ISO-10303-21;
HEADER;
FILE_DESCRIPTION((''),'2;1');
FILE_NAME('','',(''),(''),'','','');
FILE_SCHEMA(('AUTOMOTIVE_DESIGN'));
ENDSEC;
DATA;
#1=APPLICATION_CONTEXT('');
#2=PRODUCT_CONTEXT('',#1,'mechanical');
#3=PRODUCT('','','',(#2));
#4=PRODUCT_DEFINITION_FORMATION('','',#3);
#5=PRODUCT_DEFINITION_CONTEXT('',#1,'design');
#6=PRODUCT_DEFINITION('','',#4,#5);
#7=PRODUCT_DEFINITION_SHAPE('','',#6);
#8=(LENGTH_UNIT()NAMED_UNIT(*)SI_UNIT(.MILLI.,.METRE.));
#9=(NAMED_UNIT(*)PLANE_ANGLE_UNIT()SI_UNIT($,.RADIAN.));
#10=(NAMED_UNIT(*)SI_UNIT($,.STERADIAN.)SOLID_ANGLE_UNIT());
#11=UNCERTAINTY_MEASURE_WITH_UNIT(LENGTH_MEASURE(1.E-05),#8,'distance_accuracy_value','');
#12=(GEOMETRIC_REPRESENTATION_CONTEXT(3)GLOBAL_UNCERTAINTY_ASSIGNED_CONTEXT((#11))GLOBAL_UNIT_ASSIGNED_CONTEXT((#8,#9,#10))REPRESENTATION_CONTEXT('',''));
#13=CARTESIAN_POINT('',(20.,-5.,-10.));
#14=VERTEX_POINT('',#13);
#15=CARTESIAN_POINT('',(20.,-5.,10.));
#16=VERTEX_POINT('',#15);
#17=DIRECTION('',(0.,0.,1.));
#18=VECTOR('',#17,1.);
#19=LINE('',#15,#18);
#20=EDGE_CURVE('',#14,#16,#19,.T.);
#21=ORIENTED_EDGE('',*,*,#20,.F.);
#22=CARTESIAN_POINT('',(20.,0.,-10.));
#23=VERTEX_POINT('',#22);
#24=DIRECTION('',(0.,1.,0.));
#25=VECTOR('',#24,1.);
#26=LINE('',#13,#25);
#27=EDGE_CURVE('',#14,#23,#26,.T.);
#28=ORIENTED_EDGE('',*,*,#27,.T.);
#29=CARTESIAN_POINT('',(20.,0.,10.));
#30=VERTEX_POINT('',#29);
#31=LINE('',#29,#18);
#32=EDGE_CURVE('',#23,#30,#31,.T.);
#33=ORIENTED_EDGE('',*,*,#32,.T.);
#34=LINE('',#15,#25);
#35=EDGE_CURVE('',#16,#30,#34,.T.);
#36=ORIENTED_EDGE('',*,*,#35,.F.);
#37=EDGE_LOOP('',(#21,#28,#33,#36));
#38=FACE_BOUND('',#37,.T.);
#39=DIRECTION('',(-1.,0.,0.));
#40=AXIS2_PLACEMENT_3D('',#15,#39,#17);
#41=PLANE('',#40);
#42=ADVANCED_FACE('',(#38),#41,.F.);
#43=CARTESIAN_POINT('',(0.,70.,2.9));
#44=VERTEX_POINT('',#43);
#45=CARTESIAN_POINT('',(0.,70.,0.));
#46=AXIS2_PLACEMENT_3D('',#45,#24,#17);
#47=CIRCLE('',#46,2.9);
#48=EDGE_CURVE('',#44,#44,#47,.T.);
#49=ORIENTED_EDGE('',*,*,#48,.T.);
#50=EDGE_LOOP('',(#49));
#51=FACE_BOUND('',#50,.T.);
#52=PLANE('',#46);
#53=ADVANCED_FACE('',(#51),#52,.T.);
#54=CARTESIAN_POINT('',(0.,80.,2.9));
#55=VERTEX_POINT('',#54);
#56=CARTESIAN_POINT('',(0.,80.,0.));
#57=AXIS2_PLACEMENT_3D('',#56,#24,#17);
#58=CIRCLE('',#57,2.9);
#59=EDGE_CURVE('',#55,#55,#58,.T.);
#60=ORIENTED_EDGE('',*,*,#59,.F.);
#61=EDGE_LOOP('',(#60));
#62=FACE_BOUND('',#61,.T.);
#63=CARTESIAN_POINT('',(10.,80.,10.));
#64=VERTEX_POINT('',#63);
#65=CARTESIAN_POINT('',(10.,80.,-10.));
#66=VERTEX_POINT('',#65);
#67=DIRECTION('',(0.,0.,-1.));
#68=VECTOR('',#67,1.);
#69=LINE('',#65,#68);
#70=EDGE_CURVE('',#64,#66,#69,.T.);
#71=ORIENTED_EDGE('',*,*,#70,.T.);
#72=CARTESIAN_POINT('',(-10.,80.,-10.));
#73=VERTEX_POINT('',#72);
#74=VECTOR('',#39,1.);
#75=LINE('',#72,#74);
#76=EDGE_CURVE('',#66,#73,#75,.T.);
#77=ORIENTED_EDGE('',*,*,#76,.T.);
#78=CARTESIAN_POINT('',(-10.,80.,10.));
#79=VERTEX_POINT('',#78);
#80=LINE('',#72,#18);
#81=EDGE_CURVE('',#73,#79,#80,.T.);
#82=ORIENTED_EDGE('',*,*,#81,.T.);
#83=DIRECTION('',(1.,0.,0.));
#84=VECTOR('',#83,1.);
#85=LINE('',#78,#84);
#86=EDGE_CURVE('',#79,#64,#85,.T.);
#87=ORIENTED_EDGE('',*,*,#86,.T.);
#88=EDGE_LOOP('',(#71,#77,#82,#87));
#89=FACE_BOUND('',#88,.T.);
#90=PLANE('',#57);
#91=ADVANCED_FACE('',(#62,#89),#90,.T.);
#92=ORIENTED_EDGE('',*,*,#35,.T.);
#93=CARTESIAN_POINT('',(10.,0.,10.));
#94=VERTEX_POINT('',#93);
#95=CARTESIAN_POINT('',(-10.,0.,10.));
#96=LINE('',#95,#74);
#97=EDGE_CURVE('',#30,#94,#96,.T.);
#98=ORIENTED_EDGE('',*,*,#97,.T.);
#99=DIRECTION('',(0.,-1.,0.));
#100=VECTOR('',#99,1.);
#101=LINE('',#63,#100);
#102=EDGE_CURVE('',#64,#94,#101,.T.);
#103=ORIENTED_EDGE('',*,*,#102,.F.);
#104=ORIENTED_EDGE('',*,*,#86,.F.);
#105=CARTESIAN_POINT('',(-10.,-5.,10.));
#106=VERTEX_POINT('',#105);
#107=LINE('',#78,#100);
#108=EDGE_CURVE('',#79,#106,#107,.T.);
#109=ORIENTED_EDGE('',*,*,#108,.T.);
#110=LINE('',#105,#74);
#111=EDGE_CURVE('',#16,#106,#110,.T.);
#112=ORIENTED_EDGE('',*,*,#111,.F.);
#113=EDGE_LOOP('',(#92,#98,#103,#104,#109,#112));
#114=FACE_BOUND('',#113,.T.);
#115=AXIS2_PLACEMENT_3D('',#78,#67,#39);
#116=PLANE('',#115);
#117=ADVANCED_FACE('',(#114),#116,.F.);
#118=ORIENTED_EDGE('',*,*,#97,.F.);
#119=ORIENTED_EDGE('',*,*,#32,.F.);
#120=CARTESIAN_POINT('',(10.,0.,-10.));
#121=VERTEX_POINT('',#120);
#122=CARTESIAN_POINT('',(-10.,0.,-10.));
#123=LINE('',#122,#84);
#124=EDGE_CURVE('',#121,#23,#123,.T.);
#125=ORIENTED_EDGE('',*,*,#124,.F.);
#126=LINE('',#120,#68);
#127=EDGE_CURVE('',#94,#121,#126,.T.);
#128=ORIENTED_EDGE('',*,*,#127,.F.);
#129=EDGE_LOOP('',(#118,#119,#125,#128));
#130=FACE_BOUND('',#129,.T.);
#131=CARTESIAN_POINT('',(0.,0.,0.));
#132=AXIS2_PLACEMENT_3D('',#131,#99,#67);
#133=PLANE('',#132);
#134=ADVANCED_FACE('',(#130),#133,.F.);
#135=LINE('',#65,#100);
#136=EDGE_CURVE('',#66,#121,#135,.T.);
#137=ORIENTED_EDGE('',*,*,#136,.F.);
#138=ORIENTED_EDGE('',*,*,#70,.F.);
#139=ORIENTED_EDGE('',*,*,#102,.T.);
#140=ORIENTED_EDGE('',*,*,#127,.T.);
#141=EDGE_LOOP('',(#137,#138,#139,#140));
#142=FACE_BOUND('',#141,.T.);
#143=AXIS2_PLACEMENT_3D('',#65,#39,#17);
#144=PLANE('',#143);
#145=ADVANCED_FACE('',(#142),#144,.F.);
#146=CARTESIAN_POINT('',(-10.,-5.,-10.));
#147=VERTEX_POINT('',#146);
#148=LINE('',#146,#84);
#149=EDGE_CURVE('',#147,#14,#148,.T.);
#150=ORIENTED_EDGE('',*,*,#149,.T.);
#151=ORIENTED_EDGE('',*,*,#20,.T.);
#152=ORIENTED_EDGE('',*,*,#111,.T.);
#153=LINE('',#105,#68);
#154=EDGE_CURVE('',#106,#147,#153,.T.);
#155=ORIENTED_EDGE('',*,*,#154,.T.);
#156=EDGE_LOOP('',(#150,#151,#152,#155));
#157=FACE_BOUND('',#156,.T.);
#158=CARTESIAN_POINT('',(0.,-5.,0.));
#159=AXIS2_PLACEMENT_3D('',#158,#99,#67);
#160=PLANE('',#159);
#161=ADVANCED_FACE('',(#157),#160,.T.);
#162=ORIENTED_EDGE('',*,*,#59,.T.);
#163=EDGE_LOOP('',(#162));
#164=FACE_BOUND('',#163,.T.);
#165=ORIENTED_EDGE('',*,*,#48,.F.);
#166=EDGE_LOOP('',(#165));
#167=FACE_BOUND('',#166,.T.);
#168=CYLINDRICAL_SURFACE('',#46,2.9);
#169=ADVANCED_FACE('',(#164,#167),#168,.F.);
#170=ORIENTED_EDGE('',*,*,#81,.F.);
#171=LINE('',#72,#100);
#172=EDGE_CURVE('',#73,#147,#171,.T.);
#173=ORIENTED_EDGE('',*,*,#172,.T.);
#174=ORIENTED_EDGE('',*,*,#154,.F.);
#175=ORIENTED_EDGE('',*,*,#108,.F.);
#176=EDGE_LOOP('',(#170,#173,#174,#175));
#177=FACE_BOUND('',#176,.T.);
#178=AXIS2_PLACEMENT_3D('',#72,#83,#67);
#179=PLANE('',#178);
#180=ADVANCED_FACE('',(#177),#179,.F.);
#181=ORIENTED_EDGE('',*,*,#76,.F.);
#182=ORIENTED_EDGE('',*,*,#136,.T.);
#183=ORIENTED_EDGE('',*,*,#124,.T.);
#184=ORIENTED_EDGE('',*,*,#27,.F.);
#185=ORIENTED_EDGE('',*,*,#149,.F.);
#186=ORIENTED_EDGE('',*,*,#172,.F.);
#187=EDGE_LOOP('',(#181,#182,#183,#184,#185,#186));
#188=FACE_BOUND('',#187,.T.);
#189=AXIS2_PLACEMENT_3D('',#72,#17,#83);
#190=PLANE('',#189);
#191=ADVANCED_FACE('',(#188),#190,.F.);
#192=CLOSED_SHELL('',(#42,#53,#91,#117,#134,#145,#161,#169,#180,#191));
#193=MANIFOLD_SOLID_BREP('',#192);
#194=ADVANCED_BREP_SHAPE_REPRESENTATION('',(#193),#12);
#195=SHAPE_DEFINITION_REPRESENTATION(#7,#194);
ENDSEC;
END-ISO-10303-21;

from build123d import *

# Parameters (mm, degrees)
SKETCH_1_W          = 20
SKETCH_1_H          = 20
EXTRUDE_1_DEPTH     = 80
SKETCH_3_W          = 30
SKETCH_3_H          = 20
EXTRUDE_2_DEPTH     = 5
SKETCH_4_R          = 2.9
CUT_EXTRUDE_1_DEPTH = 10


with BuildPart() as part:
    # 草图1 → 凸台-拉伸1 (new body)
    with BuildSketch(Plane(origin=(0, 0, 0), x_dir=(1, 0, 0), z_dir=(0, 1, 0))):
        Rectangle(SKETCH_1_W, SKETCH_1_H)
    extrude(amount=EXTRUDE_1_DEPTH)

    # 草图3 → 凸台-拉伸2 (add)
    with BuildSketch(Plane(origin=(0, 0, 0), x_dir=(-1, 0, 0), z_dir=(0, -1, 0))):
        with Locations((-5, 0)):
            Rectangle(SKETCH_3_W, SKETCH_3_H)
    extrude(amount=EXTRUDE_2_DEPTH)

    # 草图4 → 切除-拉伸1 (cut)
    with BuildSketch(Plane(origin=(0, 80, 0), x_dir=(1, 0, 0), z_dir=(0, 1, 0))):
        with Locations(Location((0, 0, 0), (0, 0, 270))):
            Circle(SKETCH_4_R)
    extrude(amount=-CUT_EXTRUDE_1_DEPTH, mode=Mode.SUBTRACT)


solid = part.part
